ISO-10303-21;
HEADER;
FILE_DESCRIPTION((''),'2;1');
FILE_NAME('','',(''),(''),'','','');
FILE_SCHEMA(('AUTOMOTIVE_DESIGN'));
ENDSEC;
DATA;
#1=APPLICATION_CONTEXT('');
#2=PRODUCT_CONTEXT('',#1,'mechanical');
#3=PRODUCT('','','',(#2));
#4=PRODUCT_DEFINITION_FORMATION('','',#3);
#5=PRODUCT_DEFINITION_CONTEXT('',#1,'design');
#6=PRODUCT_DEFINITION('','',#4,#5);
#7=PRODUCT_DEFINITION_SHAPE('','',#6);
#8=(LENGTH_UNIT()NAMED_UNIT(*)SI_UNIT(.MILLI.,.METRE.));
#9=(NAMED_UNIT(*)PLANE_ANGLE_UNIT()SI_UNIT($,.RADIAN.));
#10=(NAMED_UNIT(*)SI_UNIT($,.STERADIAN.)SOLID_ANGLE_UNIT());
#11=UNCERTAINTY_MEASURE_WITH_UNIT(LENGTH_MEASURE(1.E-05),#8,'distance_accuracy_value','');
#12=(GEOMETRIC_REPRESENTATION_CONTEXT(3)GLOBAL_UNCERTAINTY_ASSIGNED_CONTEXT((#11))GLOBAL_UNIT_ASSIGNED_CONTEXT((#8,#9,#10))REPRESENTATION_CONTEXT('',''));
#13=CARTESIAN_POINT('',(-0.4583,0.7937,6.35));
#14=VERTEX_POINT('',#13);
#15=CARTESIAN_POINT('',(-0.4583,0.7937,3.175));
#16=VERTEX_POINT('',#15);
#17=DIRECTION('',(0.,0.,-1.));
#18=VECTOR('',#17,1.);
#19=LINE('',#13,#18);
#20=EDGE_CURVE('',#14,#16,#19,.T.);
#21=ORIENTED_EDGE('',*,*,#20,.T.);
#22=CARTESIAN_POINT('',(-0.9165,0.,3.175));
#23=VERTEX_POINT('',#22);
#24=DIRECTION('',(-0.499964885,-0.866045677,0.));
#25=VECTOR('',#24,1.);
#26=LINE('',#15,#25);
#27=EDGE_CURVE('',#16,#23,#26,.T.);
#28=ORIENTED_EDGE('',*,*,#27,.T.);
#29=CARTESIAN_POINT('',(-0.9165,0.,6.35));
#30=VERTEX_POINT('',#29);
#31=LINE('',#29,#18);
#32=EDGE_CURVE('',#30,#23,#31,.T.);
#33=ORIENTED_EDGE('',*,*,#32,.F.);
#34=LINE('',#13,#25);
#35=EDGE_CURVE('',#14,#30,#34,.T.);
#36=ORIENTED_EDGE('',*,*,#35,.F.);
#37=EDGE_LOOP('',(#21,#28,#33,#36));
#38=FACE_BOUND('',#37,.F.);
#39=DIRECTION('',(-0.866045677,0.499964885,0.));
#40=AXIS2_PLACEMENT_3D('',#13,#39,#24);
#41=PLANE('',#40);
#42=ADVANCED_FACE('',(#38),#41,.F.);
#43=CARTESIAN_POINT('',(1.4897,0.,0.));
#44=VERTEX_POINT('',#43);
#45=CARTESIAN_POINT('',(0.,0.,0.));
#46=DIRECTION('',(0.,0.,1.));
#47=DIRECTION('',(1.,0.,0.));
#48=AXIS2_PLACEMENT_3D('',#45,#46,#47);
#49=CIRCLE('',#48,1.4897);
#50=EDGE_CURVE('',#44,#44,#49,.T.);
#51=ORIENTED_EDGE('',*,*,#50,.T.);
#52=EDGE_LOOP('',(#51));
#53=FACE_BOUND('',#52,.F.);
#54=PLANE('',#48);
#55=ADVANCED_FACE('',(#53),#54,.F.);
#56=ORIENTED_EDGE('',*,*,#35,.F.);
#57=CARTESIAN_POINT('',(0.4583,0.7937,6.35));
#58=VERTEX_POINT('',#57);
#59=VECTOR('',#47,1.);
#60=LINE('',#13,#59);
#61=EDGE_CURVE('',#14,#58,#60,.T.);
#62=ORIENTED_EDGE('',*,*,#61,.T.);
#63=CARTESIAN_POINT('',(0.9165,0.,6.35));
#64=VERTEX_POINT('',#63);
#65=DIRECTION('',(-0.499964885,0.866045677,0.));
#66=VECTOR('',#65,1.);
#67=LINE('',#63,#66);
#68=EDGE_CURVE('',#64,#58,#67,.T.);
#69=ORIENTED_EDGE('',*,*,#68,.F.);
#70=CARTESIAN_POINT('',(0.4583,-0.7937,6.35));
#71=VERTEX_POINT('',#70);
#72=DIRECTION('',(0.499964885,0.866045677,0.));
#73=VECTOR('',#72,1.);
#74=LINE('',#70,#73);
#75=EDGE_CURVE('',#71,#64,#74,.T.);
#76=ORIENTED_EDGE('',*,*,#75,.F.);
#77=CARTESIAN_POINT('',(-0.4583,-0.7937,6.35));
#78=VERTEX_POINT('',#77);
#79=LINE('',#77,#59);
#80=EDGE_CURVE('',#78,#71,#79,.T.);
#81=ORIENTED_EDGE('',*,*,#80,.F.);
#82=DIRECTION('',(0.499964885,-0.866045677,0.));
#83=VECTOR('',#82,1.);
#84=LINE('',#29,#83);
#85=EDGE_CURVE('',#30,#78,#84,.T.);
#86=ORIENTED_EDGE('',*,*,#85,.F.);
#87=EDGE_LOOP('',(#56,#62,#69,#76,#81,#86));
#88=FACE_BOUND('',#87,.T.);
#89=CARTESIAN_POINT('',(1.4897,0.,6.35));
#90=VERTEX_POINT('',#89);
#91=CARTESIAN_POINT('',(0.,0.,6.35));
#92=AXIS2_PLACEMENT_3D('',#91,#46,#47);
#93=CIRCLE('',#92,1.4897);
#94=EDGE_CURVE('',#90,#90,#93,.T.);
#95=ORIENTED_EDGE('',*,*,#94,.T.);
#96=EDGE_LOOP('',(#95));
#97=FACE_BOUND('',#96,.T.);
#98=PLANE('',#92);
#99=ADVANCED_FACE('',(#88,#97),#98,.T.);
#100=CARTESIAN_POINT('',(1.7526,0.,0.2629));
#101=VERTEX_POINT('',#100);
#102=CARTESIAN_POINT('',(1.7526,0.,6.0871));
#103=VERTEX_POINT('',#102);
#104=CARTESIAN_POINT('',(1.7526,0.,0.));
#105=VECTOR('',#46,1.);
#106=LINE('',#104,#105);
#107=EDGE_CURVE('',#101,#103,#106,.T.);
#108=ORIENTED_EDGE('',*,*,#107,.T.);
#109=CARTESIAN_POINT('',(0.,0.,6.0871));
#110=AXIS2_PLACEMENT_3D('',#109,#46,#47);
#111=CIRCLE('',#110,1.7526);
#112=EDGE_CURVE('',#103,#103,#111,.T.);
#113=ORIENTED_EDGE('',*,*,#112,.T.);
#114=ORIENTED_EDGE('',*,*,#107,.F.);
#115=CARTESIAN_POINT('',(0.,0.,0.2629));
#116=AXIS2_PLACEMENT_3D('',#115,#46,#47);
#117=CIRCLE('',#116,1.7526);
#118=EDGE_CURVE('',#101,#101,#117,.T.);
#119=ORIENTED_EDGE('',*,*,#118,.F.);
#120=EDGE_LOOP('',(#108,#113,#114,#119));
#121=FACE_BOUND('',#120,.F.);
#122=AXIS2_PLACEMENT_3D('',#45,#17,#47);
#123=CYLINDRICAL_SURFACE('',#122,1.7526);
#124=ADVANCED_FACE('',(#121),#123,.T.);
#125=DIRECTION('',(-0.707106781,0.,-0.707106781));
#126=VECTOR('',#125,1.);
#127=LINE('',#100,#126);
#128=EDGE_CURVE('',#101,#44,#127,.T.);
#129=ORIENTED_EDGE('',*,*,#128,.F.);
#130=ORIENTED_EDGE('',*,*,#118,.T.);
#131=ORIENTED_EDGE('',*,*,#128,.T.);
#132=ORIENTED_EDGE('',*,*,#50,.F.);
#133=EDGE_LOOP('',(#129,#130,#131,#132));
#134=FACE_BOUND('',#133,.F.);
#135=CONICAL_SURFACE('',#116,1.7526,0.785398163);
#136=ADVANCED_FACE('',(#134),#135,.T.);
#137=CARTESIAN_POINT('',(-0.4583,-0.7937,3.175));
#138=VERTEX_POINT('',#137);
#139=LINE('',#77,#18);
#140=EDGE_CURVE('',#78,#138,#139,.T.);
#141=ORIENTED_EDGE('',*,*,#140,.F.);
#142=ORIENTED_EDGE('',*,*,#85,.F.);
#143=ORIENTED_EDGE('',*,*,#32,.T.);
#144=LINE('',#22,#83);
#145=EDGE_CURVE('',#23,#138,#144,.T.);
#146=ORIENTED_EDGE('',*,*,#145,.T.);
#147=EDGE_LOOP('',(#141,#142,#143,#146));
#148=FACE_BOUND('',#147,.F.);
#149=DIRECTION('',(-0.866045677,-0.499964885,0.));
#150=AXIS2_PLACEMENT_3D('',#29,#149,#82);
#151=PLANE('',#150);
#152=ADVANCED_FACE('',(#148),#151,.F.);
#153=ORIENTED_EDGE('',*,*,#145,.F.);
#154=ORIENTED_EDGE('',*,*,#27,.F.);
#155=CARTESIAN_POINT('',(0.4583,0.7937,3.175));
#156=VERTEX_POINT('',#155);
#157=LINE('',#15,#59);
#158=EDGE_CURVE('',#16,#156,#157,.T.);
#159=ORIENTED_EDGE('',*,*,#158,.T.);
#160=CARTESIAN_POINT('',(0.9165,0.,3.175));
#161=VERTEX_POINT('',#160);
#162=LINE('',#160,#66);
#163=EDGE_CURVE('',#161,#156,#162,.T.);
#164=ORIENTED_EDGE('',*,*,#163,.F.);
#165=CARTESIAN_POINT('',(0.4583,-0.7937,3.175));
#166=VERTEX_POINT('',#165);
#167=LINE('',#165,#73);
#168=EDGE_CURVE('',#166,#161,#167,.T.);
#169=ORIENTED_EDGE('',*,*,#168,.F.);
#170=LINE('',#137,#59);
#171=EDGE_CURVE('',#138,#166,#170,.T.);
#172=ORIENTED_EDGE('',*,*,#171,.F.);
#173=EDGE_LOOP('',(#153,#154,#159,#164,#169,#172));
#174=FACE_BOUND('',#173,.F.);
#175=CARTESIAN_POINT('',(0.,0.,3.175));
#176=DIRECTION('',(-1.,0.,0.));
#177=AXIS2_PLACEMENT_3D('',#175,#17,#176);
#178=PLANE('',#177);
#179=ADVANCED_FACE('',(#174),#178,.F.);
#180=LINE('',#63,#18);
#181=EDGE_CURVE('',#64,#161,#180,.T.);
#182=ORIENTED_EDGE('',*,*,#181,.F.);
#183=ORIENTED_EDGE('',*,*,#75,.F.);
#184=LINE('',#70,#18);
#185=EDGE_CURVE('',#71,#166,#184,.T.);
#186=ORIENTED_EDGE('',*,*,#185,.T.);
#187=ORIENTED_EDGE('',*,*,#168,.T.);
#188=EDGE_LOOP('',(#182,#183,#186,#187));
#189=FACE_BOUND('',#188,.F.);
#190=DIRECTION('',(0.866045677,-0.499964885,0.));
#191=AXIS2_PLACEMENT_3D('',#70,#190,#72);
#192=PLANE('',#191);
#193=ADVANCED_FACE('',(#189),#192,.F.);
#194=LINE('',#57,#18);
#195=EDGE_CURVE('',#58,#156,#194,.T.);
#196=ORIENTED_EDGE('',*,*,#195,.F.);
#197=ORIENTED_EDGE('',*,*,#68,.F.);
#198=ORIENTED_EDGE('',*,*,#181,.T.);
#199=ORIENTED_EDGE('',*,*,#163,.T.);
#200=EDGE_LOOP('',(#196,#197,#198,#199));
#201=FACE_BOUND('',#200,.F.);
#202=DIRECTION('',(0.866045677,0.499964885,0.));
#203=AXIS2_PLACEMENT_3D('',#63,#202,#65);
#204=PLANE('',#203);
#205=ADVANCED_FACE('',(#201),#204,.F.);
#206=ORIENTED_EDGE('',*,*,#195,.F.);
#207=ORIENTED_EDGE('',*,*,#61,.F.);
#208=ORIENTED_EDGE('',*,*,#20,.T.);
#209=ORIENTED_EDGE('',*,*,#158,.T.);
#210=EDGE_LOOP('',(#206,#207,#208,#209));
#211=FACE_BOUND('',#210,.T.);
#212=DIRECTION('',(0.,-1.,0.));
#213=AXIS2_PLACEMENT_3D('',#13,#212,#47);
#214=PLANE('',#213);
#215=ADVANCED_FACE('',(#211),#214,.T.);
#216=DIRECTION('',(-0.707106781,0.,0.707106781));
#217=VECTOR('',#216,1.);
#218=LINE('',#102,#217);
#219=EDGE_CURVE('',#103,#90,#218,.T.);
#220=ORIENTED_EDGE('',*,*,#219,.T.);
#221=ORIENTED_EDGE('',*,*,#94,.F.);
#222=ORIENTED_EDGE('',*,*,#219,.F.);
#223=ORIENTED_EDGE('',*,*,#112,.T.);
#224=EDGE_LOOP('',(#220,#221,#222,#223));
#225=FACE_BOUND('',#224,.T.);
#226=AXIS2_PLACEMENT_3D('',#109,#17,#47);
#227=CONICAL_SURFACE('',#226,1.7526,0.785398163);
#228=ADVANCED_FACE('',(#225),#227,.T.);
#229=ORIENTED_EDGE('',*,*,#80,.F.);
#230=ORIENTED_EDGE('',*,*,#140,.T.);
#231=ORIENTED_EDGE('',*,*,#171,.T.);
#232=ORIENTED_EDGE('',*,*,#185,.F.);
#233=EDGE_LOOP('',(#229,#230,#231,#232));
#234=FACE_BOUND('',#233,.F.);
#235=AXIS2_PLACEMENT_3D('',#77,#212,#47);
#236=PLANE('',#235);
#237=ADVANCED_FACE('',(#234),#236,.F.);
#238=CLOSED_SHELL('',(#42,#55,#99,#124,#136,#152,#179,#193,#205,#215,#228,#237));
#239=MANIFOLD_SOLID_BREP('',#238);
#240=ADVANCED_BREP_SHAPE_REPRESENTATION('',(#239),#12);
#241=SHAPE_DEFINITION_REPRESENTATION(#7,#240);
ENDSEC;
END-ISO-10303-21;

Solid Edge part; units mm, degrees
sketch "Sketch1" plane through (0, 0, 0) normal (0, 0, 1) x (1, 0, 0)
  circle A0 centre (0, 0) radius 1.7526
  dimension "D1" = 3.5052
extrude "Protrusion1" add sketch "Sketch1" along normal blind 6.35
chamfer "Chamfer1" distance 0.2629 angle 45 2 edges at (-1.7526, 0, 0) (-1.7526, 0, 6.35)
sketch "Sketch2" plane through (0, 0, 6.35) normal (0, 0, 1) x (1, 0, 0)
  line L0 (-0.4583, 0.7937) -> (0.4583, 0.7937)
  line L1 (0.9165, 0) -> (0.4583, 0.7937)
  line L2 (0.4583, -0.7937) -> (0.9165, 0)
  line L3 (-0.4583, -0.7937) -> (0.4583, -0.7937)
  line L4 (-0.9165, 0) -> (-0.4583, -0.7937)
  line L5 (-0.4583, 0.7937) -> (-0.9165, 0)
  dimension "D1" = 1.5875
extrude "Cutout1" cut sketch "Sketch2" against normal blind 3.175
properties part number "117625"
